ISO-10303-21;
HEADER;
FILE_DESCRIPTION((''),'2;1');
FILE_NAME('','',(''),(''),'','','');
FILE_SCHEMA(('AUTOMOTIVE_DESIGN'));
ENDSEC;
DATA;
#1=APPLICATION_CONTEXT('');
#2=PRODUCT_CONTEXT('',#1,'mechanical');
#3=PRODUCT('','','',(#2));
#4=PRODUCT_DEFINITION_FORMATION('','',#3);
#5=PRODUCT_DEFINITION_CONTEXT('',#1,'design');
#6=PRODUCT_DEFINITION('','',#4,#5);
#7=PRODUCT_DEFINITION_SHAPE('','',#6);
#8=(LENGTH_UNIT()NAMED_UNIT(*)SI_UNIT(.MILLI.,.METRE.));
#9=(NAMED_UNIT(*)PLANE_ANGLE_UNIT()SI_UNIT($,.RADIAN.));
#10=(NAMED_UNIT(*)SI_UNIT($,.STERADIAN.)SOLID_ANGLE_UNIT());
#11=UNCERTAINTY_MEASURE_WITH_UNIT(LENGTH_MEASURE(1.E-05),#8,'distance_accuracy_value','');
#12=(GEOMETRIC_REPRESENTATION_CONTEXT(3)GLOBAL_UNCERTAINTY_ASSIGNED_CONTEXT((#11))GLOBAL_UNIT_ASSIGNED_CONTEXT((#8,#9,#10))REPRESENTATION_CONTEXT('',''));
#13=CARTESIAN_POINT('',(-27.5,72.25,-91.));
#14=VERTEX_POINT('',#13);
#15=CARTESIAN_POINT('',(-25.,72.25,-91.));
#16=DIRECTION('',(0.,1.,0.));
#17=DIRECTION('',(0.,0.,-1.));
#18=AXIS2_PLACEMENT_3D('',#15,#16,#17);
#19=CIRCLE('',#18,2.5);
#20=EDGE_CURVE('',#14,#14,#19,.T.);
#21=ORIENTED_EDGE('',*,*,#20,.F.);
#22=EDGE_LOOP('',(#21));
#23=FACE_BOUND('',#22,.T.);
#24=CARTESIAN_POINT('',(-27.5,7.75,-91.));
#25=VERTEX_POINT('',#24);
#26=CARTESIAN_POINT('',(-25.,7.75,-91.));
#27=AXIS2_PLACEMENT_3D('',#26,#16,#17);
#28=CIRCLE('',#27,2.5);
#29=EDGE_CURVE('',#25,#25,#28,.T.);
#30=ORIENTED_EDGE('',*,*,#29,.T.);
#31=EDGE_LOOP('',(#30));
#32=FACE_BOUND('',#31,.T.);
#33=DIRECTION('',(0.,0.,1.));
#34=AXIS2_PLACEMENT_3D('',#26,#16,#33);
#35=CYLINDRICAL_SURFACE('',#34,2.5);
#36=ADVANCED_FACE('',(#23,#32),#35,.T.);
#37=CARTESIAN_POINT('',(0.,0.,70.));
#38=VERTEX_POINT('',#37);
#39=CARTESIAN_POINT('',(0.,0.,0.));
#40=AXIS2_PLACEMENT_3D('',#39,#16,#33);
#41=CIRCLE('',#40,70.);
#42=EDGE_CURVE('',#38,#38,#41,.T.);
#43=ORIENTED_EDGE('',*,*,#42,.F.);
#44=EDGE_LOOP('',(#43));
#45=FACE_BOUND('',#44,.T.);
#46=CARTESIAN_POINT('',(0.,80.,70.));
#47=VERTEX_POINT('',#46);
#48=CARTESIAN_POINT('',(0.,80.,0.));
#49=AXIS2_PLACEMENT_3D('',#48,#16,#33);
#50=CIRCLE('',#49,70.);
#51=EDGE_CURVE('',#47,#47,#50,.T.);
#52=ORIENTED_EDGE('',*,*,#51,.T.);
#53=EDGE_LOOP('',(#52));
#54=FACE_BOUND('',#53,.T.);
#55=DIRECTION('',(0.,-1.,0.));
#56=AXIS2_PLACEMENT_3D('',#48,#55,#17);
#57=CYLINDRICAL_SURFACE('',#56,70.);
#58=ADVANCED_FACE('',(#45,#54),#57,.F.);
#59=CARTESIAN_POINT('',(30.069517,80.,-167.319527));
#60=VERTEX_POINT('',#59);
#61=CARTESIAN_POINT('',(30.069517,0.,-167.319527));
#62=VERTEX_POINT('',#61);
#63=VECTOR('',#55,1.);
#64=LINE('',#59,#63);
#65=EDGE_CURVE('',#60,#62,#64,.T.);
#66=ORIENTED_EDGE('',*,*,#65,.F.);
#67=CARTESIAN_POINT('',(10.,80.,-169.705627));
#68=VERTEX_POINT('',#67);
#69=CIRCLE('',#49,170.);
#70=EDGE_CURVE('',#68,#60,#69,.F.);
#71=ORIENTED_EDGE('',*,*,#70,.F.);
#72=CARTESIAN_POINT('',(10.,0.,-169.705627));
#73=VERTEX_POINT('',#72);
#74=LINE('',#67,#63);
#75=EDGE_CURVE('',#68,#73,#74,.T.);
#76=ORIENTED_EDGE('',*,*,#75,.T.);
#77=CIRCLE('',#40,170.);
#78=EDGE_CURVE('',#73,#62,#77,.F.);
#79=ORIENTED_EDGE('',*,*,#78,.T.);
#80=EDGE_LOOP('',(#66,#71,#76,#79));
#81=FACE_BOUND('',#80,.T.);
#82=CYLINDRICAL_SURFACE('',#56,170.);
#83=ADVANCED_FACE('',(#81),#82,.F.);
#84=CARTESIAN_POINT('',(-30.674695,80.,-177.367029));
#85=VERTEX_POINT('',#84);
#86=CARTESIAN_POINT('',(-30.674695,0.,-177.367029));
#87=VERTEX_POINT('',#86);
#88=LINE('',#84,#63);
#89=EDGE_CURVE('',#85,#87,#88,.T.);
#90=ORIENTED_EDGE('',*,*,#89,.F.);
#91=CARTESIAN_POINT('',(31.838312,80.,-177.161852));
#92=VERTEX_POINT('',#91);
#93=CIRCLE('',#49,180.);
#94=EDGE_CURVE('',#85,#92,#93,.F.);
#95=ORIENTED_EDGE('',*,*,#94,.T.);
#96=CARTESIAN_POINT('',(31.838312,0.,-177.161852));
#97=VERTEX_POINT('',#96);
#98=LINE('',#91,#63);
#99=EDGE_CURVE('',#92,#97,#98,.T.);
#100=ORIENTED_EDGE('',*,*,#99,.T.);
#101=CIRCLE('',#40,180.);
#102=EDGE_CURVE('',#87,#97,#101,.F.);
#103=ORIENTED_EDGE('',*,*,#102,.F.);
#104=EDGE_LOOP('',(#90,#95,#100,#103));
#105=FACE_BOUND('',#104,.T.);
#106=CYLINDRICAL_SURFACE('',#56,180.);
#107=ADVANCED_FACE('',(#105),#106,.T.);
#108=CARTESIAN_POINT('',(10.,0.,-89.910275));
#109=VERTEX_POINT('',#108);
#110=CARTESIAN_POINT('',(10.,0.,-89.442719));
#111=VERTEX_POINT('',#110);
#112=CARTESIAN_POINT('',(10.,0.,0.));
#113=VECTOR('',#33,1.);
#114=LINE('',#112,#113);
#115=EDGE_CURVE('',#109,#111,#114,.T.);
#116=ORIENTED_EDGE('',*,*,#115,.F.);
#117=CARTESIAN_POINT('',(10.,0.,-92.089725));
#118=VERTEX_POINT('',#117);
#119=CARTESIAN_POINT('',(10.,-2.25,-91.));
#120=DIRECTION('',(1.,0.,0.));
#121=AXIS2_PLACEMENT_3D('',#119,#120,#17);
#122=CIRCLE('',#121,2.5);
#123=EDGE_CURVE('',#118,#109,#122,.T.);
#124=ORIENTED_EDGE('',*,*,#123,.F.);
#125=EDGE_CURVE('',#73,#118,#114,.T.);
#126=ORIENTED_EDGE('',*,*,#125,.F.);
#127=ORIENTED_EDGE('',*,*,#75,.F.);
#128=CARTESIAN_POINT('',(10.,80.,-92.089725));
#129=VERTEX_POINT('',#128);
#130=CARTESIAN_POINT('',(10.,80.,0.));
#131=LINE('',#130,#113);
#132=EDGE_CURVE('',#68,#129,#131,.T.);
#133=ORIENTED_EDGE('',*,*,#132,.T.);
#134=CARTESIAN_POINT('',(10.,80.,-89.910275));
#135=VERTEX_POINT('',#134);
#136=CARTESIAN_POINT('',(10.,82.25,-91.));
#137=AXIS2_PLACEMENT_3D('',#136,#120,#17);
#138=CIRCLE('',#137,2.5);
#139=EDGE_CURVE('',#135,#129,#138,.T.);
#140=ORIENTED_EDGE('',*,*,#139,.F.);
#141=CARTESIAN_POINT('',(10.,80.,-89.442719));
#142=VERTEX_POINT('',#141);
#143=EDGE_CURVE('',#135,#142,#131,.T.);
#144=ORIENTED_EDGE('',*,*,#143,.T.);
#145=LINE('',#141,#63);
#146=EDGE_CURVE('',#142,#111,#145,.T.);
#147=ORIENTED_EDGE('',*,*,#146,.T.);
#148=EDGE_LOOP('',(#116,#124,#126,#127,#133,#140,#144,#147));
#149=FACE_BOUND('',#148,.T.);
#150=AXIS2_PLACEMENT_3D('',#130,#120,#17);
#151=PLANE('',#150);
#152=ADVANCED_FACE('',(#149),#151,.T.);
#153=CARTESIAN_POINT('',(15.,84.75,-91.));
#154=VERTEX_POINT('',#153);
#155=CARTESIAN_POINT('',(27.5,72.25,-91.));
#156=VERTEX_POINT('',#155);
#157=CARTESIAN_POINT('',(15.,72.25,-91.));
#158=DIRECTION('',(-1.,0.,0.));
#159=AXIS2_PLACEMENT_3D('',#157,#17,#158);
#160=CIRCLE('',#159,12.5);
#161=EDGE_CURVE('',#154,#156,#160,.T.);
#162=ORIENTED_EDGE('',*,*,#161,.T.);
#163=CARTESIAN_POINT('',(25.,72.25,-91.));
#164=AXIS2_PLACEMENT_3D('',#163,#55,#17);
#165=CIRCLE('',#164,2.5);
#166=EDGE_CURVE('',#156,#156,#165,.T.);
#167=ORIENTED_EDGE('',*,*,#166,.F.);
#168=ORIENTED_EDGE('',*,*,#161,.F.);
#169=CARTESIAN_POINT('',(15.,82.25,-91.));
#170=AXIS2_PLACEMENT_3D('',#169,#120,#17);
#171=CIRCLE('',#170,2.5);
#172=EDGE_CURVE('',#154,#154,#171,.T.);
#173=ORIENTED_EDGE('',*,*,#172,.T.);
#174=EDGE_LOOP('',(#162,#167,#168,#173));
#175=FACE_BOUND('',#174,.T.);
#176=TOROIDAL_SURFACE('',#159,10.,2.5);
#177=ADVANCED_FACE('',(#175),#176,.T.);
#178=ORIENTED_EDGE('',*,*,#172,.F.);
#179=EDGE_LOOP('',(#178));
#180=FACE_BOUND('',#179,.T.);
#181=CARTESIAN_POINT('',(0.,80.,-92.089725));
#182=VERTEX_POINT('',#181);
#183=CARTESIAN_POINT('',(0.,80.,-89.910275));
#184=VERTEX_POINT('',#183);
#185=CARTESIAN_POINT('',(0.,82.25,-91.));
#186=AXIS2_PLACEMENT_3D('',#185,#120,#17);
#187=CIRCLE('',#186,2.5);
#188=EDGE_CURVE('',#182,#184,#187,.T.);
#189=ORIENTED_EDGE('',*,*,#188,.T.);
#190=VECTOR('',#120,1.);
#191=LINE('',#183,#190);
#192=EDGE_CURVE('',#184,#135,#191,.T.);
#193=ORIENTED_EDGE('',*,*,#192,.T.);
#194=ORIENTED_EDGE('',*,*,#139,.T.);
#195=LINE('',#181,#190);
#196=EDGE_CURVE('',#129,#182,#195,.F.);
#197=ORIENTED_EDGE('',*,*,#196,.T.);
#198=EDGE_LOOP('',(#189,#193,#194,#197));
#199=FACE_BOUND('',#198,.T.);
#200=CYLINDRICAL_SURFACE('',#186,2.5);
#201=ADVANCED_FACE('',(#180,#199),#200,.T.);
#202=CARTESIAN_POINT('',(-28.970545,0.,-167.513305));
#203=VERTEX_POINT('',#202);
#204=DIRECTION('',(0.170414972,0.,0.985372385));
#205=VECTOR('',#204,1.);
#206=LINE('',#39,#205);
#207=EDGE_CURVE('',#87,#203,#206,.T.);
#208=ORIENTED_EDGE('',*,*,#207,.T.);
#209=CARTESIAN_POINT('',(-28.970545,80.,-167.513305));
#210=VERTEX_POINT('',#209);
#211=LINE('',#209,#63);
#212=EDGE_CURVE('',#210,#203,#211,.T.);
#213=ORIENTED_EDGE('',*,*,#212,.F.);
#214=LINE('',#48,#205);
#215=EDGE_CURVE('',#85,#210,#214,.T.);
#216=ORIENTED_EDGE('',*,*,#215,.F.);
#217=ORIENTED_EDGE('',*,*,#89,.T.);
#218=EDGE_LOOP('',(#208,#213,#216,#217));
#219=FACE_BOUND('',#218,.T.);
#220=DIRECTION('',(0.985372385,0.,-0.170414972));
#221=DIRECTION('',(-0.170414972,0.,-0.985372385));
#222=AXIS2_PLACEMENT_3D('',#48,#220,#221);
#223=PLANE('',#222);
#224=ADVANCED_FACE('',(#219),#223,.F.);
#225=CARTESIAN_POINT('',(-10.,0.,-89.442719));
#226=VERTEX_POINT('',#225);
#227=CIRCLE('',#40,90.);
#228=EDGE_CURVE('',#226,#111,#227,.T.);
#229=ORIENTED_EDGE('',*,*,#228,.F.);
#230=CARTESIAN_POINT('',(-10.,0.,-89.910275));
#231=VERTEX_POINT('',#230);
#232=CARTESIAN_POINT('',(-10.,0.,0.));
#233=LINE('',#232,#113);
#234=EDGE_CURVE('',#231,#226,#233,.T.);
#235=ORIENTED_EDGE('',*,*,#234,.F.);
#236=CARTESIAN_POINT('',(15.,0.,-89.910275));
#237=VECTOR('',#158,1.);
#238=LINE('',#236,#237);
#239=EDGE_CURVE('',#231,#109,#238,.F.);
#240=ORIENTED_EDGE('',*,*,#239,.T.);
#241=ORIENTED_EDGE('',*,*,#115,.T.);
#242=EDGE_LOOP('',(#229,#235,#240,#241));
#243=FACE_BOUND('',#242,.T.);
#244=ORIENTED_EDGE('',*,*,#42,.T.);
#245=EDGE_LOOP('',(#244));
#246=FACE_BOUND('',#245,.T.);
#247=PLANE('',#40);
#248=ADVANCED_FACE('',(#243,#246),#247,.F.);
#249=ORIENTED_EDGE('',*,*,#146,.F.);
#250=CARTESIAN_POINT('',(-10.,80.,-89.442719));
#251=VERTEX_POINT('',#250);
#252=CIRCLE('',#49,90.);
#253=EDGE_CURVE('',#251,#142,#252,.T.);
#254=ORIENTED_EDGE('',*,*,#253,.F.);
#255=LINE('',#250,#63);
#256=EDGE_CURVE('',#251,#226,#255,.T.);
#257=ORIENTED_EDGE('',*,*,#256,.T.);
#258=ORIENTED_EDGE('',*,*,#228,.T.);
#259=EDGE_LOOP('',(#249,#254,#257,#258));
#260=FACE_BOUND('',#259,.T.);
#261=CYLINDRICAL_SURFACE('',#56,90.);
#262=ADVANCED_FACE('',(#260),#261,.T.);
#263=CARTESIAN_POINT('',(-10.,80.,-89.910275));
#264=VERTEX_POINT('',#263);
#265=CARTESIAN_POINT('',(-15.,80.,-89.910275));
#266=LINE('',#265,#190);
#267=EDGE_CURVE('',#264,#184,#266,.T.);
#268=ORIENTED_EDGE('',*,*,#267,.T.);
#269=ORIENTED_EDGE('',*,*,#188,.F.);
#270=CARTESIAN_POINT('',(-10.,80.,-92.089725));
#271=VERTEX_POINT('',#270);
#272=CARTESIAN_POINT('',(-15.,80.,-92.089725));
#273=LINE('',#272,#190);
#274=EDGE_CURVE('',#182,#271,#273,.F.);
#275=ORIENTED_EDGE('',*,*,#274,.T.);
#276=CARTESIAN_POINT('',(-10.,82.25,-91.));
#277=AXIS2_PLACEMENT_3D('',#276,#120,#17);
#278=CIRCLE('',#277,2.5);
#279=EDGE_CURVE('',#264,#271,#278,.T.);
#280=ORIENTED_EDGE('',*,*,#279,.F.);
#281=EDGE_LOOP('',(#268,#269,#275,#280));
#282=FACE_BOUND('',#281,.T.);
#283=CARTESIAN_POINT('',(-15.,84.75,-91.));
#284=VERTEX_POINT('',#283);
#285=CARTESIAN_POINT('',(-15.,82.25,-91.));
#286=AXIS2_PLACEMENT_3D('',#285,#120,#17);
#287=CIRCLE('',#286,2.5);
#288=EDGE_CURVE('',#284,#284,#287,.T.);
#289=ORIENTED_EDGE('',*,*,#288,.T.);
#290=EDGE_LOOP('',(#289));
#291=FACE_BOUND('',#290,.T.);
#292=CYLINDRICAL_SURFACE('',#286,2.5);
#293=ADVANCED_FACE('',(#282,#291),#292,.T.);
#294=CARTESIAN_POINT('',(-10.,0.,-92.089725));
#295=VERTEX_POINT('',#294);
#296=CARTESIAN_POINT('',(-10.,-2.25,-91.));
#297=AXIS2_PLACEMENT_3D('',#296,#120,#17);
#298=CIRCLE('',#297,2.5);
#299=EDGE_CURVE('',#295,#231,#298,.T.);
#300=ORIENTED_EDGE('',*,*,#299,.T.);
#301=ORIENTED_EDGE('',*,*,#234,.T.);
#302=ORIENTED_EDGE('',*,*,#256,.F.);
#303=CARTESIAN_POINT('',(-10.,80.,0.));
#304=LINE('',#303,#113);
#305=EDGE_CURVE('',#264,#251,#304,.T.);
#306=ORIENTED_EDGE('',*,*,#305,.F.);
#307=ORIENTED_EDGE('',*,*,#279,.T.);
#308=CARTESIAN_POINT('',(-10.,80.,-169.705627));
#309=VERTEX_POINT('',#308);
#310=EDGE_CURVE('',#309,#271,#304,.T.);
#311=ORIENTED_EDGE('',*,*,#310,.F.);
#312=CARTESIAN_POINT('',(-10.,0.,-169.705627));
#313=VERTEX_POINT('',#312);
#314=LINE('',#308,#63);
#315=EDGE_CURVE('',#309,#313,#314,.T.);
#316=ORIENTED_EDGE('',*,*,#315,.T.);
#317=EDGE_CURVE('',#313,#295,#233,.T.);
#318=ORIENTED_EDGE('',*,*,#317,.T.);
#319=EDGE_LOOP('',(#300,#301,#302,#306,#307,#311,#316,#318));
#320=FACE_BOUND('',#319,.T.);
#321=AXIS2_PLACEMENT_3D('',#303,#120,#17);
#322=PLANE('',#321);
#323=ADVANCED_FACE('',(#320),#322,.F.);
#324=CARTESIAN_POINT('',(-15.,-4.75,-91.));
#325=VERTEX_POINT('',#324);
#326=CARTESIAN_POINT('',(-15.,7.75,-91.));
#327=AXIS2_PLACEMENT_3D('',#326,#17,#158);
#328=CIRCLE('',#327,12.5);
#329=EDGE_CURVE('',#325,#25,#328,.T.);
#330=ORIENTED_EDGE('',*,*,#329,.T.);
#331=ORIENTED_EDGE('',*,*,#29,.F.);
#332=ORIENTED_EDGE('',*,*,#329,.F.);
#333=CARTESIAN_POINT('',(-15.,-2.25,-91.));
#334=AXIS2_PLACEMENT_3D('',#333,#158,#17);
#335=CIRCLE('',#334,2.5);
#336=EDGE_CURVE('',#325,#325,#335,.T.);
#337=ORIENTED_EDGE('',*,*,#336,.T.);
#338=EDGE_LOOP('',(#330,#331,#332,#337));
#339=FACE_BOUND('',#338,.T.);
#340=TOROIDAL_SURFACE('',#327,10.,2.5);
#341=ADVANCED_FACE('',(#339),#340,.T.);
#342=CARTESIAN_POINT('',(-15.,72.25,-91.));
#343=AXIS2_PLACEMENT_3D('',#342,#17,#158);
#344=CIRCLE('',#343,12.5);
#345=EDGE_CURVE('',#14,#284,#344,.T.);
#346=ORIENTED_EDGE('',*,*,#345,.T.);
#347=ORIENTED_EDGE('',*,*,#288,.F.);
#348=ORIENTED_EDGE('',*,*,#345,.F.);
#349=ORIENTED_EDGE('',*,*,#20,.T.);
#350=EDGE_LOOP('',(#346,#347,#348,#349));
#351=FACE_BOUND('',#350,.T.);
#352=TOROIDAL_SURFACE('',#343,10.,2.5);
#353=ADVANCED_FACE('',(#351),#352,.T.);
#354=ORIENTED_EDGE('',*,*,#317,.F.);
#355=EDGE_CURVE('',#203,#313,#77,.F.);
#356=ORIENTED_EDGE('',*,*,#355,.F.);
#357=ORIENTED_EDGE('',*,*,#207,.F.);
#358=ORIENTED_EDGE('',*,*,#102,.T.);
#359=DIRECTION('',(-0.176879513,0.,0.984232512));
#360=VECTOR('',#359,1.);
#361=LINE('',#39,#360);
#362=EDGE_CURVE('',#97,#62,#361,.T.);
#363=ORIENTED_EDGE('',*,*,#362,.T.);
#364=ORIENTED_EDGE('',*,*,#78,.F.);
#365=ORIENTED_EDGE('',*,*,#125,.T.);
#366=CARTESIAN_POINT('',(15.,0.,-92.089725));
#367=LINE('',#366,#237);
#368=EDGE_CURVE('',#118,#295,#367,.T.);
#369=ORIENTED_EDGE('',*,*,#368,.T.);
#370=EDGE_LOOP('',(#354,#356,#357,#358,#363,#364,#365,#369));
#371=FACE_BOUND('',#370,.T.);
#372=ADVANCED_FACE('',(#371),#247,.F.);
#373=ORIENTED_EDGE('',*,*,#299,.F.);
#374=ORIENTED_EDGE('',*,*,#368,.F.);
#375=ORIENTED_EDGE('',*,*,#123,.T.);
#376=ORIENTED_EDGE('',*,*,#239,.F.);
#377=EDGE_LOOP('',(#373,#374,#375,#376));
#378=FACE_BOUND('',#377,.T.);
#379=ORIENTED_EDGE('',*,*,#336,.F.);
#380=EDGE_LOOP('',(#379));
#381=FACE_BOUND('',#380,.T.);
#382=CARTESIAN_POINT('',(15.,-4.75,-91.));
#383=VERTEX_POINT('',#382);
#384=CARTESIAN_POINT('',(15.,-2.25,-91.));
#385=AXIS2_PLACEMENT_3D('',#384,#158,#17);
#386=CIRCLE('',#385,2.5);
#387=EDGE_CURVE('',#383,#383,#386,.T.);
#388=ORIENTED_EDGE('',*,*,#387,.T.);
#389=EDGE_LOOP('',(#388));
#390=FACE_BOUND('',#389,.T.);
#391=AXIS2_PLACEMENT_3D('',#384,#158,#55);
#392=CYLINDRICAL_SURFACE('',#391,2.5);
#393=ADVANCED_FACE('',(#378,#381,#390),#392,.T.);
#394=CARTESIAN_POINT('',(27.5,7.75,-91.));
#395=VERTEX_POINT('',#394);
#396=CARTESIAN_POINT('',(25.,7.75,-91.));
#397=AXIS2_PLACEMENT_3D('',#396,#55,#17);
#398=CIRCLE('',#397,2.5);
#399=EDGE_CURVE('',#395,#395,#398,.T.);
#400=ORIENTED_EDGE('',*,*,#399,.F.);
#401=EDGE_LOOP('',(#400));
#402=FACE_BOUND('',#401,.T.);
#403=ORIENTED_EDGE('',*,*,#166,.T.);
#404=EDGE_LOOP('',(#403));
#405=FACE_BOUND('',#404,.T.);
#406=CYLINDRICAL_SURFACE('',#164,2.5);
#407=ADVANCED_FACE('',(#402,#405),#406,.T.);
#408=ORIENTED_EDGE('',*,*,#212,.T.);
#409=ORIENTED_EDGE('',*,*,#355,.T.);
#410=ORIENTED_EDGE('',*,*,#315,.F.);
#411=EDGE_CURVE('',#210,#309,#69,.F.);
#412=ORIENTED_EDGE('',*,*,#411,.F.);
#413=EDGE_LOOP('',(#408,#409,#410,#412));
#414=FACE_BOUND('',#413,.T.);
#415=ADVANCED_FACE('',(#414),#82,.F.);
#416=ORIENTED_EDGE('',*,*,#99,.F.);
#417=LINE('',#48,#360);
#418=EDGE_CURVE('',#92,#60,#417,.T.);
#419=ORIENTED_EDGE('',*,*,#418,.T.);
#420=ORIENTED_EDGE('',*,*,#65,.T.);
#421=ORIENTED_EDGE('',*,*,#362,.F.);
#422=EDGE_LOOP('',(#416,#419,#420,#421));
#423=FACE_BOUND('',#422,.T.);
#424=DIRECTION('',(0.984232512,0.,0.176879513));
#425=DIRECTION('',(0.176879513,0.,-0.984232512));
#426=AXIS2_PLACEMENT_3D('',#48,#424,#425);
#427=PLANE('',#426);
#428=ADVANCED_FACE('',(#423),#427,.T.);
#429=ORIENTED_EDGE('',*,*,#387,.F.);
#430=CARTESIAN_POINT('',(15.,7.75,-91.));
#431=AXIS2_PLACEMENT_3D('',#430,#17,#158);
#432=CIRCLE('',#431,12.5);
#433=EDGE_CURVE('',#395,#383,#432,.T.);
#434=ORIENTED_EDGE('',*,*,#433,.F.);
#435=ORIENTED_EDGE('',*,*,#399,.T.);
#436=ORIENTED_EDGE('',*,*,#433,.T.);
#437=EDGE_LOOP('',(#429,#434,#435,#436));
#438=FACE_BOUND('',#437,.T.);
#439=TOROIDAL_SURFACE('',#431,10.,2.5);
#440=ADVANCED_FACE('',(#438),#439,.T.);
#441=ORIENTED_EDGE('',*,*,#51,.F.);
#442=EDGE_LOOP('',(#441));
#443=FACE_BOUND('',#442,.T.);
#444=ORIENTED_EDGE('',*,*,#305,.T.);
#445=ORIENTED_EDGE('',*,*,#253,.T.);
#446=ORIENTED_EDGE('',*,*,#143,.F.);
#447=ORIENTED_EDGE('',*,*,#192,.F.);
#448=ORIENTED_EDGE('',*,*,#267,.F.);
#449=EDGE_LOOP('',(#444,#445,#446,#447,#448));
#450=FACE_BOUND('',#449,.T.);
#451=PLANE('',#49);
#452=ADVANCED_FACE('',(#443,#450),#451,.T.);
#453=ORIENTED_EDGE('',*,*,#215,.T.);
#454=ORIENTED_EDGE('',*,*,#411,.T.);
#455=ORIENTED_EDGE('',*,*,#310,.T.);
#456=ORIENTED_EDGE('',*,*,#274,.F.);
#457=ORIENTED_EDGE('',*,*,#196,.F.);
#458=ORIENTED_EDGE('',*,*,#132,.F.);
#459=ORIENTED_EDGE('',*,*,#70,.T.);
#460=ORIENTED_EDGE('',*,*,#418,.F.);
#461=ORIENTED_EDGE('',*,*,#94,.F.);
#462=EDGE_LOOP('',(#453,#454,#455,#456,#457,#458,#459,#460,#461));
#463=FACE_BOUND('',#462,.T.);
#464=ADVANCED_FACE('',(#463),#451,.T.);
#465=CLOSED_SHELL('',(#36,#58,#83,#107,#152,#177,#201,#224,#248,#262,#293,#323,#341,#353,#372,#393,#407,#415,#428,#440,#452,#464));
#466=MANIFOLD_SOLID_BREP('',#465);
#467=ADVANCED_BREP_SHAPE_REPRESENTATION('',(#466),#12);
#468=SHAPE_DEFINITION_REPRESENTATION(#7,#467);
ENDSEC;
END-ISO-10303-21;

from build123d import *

# Parameters (mm, degrees)
SKETCH1_R           = 70
BOSS_EXTRUDE1_DEPTH = 80
BOSS_EXTRUDE2_DEPTH = 80
SKETCH3_R           = 2.5


with BuildPart() as part:
    # Sketch1 → Boss-Extrude1 (new body)
    with BuildSketch(Plane(origin=(0, 0, 0), x_dir=(1, 0, 0), z_dir=(0, 1, 0))):
        with BuildLine():
            ThreePointArc((10, 89.4427191), (0, 90), (-10, 89.4427191))
            ThreePointArc((-10, 89.4427191), (-60, -67.082039325), (90, 0))
            ThreePointArc((90, 0), (67.082039325, 60), (10, 89.4427191))
        make_face()
        Circle(SKETCH1_R, mode=Mode.SUBTRACT)
    extrude(amount=BOSS_EXTRUDE1_DEPTH)

    # Sketch1<3> → Boss-Extrude2 (add)
    with BuildSketch(Plane(origin=(0, 0, 0), x_dir=(1, 0, 0), z_dir=(0, 1, 0))):
        with BuildLine():
            ThreePointArc((31.838312344, 177.161852178), (0.590784056, 179.999030481), (-30.674694906, 177.367029327))
            Line((-30.674694906, 177.367029327), (-28.970545189, 167.513305476))
            ThreePointArc((-28.970545189, 167.513305476), (-19.516080985, 168.876056867), (-10, 169.705627485))
            Line((-10, 169.705627485), (-10, 89.4427191))
            ThreePointArc((-10, 89.4427191), (0, 90), (10, 89.4427191))
            Line((10, 89.4427191), (10, 169.705627485))
            ThreePointArc((10, 169.705627485), (20.070249656, 168.811092878), (30.069517214, 167.319527057))
            Line((30.069517214, 167.319527057), (31.838312344, 177.161852178))
        make_face()
    extrude(amount=BOSS_EXTRUDE2_DEPTH)

    # Sweep1: sweep along a path in Sketch2
    with BuildLine(Plane.XY.offset(-91)) as sweep1_path:
        Line((15, -2.25), (-15, -2.25))
        ThreePointArc((-15, -2.25), (-22.071067812, 0.678932188), (-25, 7.75))
        Line((-25, 7.75), (-25, 72.25))
        ThreePointArc((-25, 72.25), (-22.071067812, 79.321067812), (-15, 82.25))
        Line((-15, 82.25), (15, 82.25))
        ThreePointArc((15, 82.25), (22.071067812, 79.321067812), (25, 72.25))
        Line((25, 72.25), (25, 7.75))
        ThreePointArc((25, 7.75), (22.071067812, 0.678932188), (15, -2.25))
    # Sketch3 → Sweep1 (sweep)
    with BuildSketch(Plane(origin=(0, 0, 0), x_dir=(0, 0, -1), z_dir=(1, 0, 0))):
        with Locations((91, 82.25)):
            Circle(SKETCH3_R)
    sweep(path=sweep1_path.line)


solid = part.part
